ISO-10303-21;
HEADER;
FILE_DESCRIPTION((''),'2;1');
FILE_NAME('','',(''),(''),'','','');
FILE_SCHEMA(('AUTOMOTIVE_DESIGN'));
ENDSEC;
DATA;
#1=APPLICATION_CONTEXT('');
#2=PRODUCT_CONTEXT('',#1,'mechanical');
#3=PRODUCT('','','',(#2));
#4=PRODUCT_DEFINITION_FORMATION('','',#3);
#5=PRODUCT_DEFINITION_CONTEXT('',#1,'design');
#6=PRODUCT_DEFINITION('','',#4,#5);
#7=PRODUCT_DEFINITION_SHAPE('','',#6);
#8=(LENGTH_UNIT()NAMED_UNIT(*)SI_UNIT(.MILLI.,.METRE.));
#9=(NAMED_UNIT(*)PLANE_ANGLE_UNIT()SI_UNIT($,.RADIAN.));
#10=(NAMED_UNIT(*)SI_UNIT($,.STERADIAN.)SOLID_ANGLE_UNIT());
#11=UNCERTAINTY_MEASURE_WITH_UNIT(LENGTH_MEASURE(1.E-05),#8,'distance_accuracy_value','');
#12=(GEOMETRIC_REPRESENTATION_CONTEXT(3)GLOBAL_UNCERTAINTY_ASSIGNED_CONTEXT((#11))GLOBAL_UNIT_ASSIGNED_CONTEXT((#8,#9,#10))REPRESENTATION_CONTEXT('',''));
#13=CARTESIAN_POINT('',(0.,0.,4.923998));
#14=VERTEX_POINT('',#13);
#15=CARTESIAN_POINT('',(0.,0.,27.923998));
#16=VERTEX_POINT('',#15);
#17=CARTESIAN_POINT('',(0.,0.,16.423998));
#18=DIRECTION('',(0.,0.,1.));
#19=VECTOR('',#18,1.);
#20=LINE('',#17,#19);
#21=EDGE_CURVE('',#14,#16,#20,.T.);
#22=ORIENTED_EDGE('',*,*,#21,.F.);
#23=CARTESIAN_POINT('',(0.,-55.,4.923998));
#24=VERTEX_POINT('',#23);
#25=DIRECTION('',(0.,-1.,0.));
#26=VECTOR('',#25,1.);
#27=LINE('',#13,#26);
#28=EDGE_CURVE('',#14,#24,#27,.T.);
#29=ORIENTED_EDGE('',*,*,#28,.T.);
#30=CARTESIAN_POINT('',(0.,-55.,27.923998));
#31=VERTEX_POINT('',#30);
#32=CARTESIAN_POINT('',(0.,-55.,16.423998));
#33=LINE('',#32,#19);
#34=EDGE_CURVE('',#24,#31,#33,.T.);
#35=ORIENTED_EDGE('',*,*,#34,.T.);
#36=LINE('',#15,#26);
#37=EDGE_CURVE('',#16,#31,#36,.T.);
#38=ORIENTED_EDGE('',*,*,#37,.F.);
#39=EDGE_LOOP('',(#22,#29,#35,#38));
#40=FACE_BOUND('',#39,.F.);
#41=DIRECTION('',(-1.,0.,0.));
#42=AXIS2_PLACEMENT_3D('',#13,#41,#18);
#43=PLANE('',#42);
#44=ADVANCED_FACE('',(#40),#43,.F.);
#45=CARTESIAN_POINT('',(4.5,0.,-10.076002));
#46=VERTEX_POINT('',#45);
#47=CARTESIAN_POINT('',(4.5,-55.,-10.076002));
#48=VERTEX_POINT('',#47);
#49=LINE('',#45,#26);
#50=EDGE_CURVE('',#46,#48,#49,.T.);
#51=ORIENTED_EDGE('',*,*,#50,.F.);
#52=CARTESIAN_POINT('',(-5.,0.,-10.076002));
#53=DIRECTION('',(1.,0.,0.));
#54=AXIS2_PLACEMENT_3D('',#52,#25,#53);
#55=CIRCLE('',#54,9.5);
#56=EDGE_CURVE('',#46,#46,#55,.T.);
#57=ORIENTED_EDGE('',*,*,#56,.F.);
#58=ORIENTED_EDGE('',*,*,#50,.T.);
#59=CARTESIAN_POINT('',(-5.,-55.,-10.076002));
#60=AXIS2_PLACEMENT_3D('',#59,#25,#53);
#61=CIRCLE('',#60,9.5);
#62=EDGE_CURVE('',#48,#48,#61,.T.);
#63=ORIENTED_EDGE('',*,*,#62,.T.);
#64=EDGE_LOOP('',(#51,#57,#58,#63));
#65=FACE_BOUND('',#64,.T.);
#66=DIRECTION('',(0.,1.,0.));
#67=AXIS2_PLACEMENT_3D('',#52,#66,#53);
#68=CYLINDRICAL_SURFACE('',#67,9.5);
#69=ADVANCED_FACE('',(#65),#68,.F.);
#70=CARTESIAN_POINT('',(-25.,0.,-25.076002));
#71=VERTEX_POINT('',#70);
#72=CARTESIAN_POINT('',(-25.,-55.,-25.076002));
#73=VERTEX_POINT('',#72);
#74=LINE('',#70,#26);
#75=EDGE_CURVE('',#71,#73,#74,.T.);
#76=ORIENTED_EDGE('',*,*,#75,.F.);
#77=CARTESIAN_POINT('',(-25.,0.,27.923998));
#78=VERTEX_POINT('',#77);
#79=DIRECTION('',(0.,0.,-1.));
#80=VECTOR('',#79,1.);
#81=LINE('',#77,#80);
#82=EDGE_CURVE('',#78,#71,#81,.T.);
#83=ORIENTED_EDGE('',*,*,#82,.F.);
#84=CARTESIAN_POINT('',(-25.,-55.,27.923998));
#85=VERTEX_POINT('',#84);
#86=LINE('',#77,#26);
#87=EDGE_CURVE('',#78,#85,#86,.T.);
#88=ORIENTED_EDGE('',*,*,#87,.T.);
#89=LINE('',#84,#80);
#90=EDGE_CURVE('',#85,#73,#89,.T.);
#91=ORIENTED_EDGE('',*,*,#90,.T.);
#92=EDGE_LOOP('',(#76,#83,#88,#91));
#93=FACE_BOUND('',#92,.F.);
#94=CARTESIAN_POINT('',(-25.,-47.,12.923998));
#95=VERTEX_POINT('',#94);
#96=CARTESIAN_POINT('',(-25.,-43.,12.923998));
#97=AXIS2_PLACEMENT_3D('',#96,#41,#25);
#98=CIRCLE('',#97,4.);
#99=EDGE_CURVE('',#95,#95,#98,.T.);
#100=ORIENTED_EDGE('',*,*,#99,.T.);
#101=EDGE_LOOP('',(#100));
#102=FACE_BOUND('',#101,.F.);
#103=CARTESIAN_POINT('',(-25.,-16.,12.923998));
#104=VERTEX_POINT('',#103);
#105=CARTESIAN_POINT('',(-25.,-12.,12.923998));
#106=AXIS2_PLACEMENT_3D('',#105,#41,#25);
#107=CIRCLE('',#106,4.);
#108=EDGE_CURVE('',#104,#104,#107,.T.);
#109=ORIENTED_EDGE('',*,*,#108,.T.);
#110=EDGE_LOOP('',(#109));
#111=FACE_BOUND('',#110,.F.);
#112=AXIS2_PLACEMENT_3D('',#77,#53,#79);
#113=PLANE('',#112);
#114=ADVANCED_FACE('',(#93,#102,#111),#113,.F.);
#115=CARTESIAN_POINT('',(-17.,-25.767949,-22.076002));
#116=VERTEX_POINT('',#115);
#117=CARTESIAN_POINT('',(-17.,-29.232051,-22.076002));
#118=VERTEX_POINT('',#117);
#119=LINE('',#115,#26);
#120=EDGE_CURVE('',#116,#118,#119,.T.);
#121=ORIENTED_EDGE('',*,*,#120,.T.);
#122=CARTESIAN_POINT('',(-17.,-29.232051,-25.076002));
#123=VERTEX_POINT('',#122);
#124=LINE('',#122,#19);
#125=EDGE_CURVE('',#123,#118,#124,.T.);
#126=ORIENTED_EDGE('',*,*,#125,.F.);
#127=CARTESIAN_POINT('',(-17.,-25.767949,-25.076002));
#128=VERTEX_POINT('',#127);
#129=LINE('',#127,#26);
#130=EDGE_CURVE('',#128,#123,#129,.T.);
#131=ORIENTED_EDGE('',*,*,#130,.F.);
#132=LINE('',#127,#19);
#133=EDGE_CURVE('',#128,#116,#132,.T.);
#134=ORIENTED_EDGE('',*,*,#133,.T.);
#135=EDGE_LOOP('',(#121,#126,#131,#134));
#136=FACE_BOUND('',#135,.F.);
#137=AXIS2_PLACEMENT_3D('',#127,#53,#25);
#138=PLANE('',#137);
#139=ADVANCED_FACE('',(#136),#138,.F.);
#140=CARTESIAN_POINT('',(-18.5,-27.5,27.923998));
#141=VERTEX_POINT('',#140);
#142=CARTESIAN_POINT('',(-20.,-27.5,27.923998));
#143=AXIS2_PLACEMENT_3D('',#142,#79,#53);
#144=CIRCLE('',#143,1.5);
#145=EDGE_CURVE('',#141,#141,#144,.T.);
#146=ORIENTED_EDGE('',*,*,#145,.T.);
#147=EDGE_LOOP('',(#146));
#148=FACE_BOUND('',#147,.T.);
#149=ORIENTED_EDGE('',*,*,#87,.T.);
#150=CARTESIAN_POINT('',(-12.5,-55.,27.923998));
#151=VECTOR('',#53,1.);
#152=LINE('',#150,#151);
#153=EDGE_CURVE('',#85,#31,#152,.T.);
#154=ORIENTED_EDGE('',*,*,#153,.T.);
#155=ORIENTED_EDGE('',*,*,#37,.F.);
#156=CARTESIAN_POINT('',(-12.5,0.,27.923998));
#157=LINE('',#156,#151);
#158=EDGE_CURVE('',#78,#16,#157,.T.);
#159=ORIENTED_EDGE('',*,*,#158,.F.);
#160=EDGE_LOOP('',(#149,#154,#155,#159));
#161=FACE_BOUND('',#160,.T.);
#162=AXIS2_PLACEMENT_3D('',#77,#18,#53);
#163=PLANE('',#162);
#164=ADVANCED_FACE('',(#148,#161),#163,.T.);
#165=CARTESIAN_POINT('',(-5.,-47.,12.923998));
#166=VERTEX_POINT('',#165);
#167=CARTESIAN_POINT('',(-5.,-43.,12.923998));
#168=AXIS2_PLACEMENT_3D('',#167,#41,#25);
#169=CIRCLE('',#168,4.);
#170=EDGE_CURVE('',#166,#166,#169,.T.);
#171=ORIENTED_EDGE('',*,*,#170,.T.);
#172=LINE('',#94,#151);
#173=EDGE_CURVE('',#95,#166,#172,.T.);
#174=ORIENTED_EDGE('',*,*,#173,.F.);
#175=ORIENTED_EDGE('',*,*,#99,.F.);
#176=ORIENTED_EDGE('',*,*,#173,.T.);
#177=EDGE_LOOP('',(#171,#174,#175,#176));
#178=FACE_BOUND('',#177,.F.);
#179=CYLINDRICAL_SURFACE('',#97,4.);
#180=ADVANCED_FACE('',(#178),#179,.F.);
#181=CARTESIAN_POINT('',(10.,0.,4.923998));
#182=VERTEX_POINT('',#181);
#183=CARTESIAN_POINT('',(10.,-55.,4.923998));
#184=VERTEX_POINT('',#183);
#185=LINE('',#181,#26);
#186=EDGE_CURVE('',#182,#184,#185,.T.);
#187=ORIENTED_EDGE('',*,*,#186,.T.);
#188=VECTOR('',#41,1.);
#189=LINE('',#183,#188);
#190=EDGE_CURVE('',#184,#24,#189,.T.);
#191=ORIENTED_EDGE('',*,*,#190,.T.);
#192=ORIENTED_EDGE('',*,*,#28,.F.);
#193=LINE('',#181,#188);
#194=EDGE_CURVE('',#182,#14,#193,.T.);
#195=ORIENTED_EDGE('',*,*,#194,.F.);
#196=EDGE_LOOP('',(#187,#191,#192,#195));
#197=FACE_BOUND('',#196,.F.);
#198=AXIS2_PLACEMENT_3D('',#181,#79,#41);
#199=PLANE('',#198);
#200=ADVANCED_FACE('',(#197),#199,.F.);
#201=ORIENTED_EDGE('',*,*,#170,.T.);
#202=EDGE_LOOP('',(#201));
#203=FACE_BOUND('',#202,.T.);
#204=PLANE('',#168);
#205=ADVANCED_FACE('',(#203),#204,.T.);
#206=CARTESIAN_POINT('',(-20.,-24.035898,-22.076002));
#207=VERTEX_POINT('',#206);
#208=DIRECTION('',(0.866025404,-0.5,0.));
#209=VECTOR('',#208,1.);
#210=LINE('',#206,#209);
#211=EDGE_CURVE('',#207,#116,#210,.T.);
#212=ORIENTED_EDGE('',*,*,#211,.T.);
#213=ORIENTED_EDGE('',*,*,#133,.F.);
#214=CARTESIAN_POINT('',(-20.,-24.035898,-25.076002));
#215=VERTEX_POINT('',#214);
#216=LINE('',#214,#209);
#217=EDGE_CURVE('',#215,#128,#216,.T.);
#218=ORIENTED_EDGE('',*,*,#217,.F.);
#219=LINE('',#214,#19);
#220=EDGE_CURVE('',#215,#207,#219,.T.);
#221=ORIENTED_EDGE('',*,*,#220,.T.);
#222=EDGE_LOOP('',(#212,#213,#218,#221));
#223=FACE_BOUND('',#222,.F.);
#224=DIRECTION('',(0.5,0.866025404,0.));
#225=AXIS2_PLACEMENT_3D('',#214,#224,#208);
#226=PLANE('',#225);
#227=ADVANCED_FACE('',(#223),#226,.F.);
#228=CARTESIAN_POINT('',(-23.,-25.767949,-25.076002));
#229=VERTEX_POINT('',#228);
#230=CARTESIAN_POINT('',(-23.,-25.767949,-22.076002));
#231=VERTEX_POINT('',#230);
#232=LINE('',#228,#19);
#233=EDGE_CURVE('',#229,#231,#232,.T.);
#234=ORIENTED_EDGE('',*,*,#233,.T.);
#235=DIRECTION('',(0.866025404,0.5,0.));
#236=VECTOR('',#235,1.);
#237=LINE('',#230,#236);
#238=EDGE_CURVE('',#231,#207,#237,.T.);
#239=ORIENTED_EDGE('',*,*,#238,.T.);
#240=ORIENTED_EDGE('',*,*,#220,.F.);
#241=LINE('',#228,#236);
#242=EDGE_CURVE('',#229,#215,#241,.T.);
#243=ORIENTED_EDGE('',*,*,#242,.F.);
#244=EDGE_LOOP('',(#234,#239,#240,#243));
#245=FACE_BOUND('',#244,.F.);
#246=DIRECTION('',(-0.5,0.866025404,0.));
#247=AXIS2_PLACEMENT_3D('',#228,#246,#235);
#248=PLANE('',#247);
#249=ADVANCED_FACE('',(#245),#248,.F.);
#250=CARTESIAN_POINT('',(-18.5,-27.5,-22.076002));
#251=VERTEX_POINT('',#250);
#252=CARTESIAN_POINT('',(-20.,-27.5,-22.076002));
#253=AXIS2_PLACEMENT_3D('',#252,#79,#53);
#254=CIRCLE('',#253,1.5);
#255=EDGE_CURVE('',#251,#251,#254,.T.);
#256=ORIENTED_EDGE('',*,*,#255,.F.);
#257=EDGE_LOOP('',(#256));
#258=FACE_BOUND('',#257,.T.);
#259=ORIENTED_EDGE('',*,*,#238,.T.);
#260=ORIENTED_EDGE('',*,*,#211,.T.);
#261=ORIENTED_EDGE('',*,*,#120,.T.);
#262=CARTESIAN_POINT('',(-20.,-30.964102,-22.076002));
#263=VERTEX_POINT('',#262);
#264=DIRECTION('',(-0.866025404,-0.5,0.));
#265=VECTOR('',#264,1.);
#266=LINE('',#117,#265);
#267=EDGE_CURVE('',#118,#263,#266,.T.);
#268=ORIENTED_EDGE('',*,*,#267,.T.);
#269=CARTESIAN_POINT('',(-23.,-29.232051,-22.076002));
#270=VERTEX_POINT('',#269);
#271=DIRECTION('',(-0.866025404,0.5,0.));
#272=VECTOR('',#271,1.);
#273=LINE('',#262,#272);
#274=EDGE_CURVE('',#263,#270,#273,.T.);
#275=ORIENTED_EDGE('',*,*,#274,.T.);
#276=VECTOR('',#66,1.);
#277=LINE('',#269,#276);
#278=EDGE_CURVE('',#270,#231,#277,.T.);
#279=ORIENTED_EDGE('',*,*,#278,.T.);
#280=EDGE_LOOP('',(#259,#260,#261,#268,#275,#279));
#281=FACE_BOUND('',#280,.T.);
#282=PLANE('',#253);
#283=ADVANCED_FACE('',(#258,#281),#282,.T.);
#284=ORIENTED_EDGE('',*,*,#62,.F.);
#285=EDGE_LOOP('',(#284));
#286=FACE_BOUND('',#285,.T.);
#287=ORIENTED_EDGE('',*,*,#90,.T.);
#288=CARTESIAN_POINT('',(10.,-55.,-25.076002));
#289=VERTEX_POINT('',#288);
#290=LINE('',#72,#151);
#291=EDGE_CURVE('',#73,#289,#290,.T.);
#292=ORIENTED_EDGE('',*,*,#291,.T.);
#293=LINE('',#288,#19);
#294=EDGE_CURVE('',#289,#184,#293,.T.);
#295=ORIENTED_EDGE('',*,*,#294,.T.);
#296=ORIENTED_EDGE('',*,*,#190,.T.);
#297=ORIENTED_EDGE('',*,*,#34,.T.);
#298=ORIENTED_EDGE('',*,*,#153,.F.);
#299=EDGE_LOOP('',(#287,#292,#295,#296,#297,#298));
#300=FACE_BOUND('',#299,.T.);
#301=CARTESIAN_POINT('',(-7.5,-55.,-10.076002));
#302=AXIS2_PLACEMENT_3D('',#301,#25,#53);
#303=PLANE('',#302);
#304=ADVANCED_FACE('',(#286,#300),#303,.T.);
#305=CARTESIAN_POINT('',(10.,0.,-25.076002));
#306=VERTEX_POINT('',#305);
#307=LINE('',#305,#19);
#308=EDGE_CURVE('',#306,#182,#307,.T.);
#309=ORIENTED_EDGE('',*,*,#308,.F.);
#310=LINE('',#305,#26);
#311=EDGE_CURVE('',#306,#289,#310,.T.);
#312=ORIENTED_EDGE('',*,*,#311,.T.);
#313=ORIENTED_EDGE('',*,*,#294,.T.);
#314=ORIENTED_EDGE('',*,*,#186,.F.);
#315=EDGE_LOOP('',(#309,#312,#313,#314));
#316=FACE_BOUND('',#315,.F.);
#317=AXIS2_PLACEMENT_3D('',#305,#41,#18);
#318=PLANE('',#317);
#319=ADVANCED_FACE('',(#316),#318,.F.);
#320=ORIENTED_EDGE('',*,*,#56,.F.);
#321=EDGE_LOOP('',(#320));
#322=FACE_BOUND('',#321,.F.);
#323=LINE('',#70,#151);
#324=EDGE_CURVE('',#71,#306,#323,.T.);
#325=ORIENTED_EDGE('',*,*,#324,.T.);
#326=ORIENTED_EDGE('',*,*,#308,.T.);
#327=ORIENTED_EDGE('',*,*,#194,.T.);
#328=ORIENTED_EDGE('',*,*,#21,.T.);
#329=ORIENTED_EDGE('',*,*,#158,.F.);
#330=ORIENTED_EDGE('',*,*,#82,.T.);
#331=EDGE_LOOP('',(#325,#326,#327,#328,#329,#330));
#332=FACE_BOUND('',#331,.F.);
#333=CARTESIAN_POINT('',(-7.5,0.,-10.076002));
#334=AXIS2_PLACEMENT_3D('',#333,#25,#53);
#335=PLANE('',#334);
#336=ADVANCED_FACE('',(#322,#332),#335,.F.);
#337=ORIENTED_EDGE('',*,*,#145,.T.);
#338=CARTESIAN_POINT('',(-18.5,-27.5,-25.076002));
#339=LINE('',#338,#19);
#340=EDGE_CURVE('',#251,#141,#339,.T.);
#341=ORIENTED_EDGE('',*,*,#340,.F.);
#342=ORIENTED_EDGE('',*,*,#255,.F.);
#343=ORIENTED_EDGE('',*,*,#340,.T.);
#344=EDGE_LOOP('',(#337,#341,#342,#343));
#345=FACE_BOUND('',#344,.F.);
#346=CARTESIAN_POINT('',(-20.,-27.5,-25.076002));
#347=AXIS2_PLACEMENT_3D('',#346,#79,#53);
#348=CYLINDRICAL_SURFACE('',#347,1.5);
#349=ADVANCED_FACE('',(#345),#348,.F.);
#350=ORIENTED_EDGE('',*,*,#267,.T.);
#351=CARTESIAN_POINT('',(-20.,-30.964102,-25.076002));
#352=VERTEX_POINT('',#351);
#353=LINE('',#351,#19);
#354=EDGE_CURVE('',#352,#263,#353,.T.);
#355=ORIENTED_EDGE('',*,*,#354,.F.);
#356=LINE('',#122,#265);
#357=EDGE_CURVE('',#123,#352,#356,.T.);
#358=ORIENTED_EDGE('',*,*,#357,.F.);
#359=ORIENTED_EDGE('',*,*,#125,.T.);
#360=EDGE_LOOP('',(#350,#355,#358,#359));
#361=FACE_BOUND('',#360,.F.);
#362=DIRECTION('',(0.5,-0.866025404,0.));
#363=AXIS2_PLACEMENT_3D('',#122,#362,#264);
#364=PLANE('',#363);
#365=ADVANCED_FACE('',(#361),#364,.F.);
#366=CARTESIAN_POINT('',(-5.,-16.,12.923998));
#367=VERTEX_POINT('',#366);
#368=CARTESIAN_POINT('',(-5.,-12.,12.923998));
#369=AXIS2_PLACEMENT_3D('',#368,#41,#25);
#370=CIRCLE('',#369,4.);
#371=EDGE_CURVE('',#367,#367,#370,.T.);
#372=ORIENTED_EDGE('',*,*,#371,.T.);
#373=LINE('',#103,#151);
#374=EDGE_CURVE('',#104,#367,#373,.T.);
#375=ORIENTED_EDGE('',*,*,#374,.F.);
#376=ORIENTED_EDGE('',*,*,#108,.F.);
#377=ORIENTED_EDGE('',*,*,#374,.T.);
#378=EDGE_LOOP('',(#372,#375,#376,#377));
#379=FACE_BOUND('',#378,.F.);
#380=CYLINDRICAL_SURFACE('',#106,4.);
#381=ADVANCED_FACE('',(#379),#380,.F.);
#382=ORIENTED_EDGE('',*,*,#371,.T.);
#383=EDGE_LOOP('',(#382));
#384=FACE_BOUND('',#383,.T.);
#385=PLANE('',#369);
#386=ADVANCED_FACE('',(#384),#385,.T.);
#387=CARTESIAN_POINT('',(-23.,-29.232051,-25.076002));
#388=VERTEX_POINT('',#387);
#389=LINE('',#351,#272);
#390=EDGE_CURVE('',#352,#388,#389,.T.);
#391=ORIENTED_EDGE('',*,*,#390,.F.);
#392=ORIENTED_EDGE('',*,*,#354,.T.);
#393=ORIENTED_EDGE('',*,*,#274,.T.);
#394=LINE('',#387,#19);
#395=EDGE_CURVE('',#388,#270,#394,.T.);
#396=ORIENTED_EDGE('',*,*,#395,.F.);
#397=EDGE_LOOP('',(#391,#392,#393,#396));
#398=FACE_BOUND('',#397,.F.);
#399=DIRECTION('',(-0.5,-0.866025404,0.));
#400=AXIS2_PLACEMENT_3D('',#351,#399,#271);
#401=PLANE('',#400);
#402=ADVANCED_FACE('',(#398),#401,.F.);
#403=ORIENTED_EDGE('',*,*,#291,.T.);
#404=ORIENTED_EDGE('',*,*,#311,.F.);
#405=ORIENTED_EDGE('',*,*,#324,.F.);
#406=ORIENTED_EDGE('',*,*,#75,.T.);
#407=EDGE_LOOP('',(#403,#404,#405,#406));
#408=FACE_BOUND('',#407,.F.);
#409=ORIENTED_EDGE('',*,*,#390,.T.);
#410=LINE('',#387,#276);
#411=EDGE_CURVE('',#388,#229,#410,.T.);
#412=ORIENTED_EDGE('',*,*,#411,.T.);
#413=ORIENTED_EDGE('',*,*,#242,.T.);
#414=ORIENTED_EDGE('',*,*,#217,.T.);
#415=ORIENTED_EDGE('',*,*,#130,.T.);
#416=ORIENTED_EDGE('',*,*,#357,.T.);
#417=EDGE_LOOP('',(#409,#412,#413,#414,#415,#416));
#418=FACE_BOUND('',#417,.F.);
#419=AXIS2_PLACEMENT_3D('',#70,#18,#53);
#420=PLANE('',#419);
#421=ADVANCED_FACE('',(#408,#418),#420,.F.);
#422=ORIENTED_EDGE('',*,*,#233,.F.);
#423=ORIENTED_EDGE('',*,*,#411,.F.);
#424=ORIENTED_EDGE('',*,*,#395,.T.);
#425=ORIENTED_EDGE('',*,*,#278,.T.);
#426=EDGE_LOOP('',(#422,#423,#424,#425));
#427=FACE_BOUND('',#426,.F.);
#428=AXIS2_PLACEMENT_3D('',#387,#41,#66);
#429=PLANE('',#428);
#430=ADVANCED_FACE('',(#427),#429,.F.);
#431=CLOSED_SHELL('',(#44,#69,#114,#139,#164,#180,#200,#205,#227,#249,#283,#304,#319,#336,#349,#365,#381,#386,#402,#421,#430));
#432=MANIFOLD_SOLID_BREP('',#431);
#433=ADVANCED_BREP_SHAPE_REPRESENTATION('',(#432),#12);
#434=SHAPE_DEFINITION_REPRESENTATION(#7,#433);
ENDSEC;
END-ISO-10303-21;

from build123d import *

# Parameters (mm, degrees)
F0_R     = 9.5
F0_W     = 25
F0_H     = 23
F1_DEPTH = 55
F2_R     = 4
F3_DEPTH = 20
F4_R     = 1.5
F5_DEPTH = 3
F6_DEPTH = 55


with BuildPart() as f1:
    # F0 (on Front) → F1 (new body)
    with BuildSketch(Plane.XZ):
        Polygon((0, 4.9239983139), (-25, 4.9239983139), (-25, -25.0760016861), (10, -25.0760016861), (10, 4.9239983139), align=None)
        with Locations((-5, -10.0760016861)):
            Circle(F0_R, mode=Mode.SUBTRACT)
        with Locations((-12.5, 16.4239983139)):
            Rectangle(F0_W, F0_H)
    extrude(amount=F1_DEPTH)

    # F2 (on face) → F3 (cut)
    with BuildSketch(Plane(origin=(-25, 0, 0), x_dir=(0, -1, 0), z_dir=(-1, 0, 0))):
        with Locations((12, 12.9239983139)):
            Circle(F2_R)
        with Locations((43, 12.9239983139)):
            Circle(F2_R)
    extrude(amount=-F3_DEPTH, mode=Mode.SUBTRACT)

    # F4 (on face) → F5 (cut)
    with BuildSketch(Plane(origin=(0, 0, -25.0760016861), x_dir=(1, 0, 0), z_dir=(0, 0, -1))):
        Polygon((-17, 29.2320508076), (-20, 30.9641016151), (-23, 29.2320508076), (-23, 25.7679491924), (-20, 24.0358983849), (-17, 25.7679491924), align=None)
        with Locations((-20, 27.5)):
            Circle(F4_R, mode=Mode.SUBTRACT)
    extrude(amount=-F5_DEPTH, mode=Mode.SUBTRACT)

    # F6 (cut): a face of the model
    f6_faces = [f1.faces().sort_by_distance(p)[0] for p in [
        (-20, -27.5, -25.0760016861),
    ]]
    extrude(f6_faces, amount=-F6_DEPTH, mode=Mode.SUBTRACT)


solid = f1.part
